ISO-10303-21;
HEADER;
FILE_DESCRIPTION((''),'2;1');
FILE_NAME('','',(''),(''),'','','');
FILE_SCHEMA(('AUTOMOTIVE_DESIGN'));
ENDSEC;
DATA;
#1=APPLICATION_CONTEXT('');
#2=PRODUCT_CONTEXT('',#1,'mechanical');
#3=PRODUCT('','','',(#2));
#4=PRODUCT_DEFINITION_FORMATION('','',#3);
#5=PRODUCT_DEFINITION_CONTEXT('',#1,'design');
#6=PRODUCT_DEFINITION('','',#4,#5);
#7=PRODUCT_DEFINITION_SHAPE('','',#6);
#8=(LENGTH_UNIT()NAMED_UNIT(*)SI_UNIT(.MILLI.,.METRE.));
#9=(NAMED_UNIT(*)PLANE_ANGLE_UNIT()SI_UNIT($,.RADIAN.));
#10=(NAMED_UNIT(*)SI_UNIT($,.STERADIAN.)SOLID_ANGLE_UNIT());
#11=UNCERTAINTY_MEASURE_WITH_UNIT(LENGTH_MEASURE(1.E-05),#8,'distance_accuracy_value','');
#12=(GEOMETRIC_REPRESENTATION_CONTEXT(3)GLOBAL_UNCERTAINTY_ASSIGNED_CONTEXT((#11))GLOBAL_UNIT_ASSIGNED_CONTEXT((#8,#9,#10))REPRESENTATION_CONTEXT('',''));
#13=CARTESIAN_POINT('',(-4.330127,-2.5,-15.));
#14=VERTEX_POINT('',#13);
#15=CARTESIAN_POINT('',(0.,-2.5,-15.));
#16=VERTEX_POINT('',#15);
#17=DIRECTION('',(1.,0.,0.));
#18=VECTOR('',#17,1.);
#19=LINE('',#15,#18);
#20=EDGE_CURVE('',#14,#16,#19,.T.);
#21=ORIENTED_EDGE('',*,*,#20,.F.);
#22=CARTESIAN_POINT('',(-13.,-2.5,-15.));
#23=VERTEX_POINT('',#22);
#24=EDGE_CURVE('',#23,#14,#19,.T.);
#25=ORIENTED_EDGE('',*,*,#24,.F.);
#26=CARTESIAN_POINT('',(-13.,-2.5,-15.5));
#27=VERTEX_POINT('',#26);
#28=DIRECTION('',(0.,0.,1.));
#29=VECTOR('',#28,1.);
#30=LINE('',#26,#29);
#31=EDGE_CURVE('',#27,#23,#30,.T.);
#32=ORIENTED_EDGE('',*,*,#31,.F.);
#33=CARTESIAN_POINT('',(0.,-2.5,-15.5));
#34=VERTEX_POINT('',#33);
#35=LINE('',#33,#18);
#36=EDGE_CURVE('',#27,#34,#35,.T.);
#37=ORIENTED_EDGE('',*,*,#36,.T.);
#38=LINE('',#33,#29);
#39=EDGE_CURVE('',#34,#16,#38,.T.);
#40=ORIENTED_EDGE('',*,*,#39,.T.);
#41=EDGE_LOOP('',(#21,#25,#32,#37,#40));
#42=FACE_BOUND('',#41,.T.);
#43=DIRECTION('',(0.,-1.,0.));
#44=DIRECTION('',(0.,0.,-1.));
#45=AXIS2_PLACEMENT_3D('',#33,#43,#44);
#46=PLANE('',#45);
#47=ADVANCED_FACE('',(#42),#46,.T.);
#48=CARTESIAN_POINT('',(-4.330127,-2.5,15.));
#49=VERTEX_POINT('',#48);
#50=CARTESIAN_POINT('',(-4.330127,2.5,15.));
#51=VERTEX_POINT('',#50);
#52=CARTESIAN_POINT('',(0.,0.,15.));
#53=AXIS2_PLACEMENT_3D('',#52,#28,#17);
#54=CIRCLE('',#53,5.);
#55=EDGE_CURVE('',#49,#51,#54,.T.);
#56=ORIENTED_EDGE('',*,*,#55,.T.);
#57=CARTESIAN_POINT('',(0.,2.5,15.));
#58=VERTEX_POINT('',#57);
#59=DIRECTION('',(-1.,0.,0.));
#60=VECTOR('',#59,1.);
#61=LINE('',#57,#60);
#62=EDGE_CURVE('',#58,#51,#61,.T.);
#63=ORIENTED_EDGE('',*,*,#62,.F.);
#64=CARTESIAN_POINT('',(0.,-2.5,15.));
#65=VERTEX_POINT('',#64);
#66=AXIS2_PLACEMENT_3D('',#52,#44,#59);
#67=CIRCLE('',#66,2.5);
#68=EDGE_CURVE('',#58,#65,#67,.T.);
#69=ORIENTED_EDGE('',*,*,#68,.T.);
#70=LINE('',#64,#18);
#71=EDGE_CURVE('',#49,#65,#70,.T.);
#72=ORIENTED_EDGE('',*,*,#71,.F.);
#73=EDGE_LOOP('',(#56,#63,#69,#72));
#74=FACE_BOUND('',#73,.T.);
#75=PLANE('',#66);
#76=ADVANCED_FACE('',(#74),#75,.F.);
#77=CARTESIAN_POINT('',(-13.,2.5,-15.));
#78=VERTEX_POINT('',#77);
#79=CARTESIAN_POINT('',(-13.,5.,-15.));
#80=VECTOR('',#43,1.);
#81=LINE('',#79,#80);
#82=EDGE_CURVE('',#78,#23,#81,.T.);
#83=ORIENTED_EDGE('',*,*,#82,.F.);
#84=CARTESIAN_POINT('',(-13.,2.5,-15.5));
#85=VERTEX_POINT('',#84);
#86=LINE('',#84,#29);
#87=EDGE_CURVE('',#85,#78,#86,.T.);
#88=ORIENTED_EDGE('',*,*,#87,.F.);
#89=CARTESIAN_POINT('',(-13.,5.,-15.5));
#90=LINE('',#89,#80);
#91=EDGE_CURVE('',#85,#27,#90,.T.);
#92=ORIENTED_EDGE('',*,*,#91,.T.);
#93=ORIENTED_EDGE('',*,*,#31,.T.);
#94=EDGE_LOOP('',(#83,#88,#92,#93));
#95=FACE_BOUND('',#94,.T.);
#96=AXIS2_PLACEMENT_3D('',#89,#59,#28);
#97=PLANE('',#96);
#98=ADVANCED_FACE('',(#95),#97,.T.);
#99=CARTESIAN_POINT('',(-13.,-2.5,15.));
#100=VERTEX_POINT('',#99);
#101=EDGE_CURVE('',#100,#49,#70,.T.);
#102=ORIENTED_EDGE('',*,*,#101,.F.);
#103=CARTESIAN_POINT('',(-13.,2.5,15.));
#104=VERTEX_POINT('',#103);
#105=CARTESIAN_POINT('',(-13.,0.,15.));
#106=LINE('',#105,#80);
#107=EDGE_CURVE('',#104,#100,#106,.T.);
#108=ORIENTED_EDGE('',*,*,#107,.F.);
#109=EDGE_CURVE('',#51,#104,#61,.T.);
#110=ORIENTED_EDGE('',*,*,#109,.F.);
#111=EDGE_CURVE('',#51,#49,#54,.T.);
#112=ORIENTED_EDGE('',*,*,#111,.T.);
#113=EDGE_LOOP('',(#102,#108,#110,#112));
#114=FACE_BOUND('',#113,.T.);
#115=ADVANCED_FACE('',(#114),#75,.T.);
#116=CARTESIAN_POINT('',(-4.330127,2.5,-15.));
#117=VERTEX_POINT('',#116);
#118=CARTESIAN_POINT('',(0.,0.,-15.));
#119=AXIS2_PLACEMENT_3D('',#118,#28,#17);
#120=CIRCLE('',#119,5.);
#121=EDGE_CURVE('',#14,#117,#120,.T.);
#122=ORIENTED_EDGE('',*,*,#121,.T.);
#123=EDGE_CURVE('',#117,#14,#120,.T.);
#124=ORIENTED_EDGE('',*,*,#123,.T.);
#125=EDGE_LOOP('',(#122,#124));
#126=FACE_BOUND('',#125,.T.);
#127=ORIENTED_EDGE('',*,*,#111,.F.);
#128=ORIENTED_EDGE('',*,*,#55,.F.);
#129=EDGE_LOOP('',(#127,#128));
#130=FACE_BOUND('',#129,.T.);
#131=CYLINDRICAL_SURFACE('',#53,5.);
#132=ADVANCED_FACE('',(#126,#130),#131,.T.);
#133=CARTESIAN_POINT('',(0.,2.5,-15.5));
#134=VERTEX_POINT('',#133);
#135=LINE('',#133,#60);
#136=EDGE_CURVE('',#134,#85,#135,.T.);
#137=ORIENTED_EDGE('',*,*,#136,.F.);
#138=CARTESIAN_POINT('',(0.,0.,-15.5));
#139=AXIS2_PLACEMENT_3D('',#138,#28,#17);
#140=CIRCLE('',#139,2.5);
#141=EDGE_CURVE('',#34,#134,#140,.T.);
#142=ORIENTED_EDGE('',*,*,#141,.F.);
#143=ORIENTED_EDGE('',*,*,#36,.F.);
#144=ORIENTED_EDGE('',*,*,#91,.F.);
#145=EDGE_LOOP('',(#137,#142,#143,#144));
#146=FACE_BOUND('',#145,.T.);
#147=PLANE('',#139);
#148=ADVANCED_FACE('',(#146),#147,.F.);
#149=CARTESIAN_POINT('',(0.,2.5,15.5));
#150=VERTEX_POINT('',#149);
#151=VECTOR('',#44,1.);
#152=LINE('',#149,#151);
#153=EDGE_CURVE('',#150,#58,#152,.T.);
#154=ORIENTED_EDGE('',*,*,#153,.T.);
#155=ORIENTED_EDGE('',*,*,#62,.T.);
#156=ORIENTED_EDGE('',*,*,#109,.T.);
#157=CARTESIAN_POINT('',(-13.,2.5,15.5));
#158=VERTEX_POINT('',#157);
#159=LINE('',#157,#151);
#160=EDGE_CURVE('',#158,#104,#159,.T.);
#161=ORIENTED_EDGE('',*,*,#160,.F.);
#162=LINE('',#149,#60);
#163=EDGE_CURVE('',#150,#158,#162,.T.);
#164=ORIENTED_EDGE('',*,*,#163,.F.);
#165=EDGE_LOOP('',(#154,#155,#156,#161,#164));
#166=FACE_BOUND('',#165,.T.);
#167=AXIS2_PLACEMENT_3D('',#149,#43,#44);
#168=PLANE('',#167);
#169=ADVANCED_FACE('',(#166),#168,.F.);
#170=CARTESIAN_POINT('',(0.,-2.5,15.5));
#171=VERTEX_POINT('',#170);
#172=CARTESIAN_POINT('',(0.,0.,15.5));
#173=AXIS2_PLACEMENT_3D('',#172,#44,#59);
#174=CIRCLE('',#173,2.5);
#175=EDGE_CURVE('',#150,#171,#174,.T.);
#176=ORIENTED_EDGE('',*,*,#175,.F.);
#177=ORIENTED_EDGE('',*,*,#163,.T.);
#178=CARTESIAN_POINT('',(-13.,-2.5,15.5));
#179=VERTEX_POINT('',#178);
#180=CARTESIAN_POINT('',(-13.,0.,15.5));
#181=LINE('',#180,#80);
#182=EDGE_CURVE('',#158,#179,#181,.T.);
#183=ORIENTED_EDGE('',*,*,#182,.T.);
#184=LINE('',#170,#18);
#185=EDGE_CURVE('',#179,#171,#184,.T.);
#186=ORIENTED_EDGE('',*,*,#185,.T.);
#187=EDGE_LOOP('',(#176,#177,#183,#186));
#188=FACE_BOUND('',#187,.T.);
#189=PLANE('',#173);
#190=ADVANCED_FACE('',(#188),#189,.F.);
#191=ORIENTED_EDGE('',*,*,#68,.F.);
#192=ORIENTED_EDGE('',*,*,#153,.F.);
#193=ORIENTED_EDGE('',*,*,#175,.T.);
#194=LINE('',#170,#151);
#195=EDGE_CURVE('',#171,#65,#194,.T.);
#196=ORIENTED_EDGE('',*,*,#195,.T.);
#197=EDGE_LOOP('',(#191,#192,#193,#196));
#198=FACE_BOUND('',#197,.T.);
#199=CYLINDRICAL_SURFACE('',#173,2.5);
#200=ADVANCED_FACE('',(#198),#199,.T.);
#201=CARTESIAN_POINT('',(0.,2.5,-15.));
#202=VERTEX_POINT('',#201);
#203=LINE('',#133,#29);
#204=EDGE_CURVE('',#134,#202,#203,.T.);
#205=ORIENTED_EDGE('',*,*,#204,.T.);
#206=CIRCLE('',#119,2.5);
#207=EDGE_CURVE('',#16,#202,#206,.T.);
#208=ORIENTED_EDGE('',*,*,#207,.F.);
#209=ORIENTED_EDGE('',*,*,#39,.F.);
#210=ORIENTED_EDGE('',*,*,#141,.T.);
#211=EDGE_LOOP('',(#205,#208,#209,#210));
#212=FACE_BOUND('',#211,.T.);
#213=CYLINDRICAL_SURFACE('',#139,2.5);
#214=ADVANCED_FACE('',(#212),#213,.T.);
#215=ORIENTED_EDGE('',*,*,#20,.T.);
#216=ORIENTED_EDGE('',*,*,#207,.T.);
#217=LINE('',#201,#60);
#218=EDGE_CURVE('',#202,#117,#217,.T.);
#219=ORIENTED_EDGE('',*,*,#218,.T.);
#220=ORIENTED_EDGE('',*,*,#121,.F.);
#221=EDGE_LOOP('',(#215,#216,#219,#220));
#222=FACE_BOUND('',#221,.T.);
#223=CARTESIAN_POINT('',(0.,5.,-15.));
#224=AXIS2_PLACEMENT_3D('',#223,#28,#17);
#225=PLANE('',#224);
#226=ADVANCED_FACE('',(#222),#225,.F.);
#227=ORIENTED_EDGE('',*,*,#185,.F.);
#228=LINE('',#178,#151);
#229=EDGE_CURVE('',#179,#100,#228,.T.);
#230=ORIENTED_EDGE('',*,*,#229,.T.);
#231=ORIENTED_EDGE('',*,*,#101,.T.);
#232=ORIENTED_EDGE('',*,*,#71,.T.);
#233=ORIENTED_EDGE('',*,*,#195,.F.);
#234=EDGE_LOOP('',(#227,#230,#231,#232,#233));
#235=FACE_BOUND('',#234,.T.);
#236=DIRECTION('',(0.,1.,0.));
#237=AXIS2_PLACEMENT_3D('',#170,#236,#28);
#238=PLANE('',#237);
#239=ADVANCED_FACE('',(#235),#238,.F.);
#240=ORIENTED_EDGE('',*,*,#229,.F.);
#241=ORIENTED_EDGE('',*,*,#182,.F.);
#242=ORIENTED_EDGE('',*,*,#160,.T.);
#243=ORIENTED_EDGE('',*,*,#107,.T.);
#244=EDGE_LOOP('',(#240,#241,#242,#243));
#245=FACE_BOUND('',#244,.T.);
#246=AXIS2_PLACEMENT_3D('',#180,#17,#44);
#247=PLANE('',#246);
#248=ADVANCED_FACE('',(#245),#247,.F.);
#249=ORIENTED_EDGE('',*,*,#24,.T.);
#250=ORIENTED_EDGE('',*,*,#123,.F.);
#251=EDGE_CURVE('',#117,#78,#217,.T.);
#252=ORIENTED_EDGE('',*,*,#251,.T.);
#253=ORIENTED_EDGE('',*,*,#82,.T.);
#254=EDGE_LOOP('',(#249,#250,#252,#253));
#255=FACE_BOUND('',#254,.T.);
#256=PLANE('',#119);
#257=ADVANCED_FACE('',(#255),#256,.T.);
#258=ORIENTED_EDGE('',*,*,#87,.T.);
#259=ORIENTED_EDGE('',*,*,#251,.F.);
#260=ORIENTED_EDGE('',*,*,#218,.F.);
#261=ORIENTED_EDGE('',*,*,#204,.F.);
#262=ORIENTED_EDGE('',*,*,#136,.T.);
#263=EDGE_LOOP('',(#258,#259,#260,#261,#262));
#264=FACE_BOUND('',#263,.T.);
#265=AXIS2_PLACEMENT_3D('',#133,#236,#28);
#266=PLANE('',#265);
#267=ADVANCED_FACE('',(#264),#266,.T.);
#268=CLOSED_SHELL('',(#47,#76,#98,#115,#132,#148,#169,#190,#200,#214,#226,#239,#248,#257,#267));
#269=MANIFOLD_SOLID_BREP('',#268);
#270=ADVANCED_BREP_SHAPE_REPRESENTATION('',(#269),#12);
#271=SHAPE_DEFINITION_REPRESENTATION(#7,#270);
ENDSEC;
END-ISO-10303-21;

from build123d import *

# Parameters (mm, degrees)
SKETCH1_W           = 30
SKETCH1_H           = 5
BOSS_EXTRUDE1_START = 15
BOSS_EXTRUDE1_DEPTH = 0.5
BOSS_EXTRUDE2_START = -15.5
BOSS_EXTRUDE2_DEPTH = 0.5


with BuildPart() as part:
    # Sketch1 → Revolve1 (revolve)
    with BuildSketch(Plane(origin=(0, 0, 0), x_dir=(0, 0, -1), z_dir=(1, 0, 0)), mode=Mode.PRIVATE) as revolve1_sk:
        with Locations((0, 2.5)):
            Rectangle(SKETCH1_W, SKETCH1_H)
    revolve(revolve1_sk.sketch.rotate(Axis((0, 0, 15), (0, 0, -1)), 90), axis=Axis((0, 0, 15), (0, 0, -1)))

    # Sketch2 → Boss-Extrude1 (add)
    with BuildSketch(Plane.XY.offset(BOSS_EXTRUDE1_START)):
        with BuildLine():
            Line((-13, -2.5), (0, -2.5))
            ThreePointArc((0, -2.5), (2.5, 0), (0, 2.5))
            Line((0, 2.5), (-13, 2.5))
            Line((-13, 2.5), (-13, -2.5))
        make_face()
    extrude(amount=BOSS_EXTRUDE1_DEPTH)

    # Sketch2<2> → Boss-Extrude2 (add)
    with BuildSketch(Plane.XY.offset(BOSS_EXTRUDE2_START)):
        with BuildLine():
            Line((-13, -2.5), (0, -2.5))
            ThreePointArc((0, -2.5), (2.5, 0), (0, 2.5))
            Line((0, 2.5), (-13, 2.5))
            Line((-13, 2.5), (-13, -2.5))
        make_face()
    extrude(amount=BOSS_EXTRUDE2_DEPTH)


solid = part.part
